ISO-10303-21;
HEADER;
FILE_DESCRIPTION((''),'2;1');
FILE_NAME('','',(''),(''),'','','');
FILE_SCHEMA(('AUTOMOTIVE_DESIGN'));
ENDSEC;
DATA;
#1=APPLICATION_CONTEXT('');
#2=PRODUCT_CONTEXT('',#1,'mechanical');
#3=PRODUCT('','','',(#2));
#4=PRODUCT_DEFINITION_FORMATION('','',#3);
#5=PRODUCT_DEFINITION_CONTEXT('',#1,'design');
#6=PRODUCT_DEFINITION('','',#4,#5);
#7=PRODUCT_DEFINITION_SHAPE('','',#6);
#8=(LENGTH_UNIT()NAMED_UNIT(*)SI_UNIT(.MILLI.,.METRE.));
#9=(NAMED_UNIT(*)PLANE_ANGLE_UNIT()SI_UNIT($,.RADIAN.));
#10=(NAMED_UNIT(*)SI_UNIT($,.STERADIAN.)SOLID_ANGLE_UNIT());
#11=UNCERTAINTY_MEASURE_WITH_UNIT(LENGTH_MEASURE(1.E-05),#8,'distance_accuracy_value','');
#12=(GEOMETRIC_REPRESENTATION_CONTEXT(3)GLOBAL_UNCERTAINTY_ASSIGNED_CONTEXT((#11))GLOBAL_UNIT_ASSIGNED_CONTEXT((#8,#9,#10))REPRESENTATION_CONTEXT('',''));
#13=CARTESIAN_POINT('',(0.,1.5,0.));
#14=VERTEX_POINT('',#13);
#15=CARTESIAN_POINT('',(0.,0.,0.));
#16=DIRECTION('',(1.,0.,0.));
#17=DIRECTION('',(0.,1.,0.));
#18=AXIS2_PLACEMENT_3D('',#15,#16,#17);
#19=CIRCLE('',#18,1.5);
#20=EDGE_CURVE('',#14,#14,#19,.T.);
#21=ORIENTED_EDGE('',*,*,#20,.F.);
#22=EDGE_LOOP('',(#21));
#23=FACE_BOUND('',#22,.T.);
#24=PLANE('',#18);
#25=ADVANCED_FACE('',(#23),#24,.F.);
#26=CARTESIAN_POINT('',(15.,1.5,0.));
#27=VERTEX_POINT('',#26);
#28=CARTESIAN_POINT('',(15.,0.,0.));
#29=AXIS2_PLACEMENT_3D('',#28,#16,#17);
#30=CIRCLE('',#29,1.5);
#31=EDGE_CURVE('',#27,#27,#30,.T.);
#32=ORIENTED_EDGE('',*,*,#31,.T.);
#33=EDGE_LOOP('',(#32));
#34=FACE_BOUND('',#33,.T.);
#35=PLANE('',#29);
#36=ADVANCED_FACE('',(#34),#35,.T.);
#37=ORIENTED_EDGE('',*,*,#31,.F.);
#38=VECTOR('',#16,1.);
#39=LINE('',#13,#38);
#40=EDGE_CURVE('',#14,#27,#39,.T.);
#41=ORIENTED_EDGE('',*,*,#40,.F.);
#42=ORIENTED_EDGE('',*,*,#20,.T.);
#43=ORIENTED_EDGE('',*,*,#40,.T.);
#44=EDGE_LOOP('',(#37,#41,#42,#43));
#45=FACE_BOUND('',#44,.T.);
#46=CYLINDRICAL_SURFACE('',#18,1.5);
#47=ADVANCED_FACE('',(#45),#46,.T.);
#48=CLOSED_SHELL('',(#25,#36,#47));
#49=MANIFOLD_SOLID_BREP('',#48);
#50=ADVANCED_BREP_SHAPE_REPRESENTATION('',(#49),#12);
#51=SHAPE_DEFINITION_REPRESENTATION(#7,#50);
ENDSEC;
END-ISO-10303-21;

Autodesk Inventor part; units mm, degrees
ref_plane "YZ Plane" through (0, 0, 0) normal (1, 0, 0) x (0, 1, 0)
ref_plane "XZ Plane" through (0, 0, 0) normal (0, 1, 0) x (-1, 0, 0)
ref_plane "XY Plane" through (0, 0, 0) normal (0, 0, 1) x (1, 0, 0)
sketch "Sketch1" plane through (0, 0, 0) normal (0, 0, 1) x (1, 0, 0)
  line L0 (0, 0) -> (15, 0)
  line L1 (0, 0) -> (0, 1.5)
  line L2 (0, 1.5) -> (15, 1.5)
  line L3 (15, 1.5) -> (15, 0)
  dimension "d0" = 15
  dimension "d2" = 3
revolve "Révolution1" add sketch "Sketch1" angle 360 about axis through (0, 0, 0) along (1, 0, 0)
properties part number "M002" material "Acier / Stahl"
